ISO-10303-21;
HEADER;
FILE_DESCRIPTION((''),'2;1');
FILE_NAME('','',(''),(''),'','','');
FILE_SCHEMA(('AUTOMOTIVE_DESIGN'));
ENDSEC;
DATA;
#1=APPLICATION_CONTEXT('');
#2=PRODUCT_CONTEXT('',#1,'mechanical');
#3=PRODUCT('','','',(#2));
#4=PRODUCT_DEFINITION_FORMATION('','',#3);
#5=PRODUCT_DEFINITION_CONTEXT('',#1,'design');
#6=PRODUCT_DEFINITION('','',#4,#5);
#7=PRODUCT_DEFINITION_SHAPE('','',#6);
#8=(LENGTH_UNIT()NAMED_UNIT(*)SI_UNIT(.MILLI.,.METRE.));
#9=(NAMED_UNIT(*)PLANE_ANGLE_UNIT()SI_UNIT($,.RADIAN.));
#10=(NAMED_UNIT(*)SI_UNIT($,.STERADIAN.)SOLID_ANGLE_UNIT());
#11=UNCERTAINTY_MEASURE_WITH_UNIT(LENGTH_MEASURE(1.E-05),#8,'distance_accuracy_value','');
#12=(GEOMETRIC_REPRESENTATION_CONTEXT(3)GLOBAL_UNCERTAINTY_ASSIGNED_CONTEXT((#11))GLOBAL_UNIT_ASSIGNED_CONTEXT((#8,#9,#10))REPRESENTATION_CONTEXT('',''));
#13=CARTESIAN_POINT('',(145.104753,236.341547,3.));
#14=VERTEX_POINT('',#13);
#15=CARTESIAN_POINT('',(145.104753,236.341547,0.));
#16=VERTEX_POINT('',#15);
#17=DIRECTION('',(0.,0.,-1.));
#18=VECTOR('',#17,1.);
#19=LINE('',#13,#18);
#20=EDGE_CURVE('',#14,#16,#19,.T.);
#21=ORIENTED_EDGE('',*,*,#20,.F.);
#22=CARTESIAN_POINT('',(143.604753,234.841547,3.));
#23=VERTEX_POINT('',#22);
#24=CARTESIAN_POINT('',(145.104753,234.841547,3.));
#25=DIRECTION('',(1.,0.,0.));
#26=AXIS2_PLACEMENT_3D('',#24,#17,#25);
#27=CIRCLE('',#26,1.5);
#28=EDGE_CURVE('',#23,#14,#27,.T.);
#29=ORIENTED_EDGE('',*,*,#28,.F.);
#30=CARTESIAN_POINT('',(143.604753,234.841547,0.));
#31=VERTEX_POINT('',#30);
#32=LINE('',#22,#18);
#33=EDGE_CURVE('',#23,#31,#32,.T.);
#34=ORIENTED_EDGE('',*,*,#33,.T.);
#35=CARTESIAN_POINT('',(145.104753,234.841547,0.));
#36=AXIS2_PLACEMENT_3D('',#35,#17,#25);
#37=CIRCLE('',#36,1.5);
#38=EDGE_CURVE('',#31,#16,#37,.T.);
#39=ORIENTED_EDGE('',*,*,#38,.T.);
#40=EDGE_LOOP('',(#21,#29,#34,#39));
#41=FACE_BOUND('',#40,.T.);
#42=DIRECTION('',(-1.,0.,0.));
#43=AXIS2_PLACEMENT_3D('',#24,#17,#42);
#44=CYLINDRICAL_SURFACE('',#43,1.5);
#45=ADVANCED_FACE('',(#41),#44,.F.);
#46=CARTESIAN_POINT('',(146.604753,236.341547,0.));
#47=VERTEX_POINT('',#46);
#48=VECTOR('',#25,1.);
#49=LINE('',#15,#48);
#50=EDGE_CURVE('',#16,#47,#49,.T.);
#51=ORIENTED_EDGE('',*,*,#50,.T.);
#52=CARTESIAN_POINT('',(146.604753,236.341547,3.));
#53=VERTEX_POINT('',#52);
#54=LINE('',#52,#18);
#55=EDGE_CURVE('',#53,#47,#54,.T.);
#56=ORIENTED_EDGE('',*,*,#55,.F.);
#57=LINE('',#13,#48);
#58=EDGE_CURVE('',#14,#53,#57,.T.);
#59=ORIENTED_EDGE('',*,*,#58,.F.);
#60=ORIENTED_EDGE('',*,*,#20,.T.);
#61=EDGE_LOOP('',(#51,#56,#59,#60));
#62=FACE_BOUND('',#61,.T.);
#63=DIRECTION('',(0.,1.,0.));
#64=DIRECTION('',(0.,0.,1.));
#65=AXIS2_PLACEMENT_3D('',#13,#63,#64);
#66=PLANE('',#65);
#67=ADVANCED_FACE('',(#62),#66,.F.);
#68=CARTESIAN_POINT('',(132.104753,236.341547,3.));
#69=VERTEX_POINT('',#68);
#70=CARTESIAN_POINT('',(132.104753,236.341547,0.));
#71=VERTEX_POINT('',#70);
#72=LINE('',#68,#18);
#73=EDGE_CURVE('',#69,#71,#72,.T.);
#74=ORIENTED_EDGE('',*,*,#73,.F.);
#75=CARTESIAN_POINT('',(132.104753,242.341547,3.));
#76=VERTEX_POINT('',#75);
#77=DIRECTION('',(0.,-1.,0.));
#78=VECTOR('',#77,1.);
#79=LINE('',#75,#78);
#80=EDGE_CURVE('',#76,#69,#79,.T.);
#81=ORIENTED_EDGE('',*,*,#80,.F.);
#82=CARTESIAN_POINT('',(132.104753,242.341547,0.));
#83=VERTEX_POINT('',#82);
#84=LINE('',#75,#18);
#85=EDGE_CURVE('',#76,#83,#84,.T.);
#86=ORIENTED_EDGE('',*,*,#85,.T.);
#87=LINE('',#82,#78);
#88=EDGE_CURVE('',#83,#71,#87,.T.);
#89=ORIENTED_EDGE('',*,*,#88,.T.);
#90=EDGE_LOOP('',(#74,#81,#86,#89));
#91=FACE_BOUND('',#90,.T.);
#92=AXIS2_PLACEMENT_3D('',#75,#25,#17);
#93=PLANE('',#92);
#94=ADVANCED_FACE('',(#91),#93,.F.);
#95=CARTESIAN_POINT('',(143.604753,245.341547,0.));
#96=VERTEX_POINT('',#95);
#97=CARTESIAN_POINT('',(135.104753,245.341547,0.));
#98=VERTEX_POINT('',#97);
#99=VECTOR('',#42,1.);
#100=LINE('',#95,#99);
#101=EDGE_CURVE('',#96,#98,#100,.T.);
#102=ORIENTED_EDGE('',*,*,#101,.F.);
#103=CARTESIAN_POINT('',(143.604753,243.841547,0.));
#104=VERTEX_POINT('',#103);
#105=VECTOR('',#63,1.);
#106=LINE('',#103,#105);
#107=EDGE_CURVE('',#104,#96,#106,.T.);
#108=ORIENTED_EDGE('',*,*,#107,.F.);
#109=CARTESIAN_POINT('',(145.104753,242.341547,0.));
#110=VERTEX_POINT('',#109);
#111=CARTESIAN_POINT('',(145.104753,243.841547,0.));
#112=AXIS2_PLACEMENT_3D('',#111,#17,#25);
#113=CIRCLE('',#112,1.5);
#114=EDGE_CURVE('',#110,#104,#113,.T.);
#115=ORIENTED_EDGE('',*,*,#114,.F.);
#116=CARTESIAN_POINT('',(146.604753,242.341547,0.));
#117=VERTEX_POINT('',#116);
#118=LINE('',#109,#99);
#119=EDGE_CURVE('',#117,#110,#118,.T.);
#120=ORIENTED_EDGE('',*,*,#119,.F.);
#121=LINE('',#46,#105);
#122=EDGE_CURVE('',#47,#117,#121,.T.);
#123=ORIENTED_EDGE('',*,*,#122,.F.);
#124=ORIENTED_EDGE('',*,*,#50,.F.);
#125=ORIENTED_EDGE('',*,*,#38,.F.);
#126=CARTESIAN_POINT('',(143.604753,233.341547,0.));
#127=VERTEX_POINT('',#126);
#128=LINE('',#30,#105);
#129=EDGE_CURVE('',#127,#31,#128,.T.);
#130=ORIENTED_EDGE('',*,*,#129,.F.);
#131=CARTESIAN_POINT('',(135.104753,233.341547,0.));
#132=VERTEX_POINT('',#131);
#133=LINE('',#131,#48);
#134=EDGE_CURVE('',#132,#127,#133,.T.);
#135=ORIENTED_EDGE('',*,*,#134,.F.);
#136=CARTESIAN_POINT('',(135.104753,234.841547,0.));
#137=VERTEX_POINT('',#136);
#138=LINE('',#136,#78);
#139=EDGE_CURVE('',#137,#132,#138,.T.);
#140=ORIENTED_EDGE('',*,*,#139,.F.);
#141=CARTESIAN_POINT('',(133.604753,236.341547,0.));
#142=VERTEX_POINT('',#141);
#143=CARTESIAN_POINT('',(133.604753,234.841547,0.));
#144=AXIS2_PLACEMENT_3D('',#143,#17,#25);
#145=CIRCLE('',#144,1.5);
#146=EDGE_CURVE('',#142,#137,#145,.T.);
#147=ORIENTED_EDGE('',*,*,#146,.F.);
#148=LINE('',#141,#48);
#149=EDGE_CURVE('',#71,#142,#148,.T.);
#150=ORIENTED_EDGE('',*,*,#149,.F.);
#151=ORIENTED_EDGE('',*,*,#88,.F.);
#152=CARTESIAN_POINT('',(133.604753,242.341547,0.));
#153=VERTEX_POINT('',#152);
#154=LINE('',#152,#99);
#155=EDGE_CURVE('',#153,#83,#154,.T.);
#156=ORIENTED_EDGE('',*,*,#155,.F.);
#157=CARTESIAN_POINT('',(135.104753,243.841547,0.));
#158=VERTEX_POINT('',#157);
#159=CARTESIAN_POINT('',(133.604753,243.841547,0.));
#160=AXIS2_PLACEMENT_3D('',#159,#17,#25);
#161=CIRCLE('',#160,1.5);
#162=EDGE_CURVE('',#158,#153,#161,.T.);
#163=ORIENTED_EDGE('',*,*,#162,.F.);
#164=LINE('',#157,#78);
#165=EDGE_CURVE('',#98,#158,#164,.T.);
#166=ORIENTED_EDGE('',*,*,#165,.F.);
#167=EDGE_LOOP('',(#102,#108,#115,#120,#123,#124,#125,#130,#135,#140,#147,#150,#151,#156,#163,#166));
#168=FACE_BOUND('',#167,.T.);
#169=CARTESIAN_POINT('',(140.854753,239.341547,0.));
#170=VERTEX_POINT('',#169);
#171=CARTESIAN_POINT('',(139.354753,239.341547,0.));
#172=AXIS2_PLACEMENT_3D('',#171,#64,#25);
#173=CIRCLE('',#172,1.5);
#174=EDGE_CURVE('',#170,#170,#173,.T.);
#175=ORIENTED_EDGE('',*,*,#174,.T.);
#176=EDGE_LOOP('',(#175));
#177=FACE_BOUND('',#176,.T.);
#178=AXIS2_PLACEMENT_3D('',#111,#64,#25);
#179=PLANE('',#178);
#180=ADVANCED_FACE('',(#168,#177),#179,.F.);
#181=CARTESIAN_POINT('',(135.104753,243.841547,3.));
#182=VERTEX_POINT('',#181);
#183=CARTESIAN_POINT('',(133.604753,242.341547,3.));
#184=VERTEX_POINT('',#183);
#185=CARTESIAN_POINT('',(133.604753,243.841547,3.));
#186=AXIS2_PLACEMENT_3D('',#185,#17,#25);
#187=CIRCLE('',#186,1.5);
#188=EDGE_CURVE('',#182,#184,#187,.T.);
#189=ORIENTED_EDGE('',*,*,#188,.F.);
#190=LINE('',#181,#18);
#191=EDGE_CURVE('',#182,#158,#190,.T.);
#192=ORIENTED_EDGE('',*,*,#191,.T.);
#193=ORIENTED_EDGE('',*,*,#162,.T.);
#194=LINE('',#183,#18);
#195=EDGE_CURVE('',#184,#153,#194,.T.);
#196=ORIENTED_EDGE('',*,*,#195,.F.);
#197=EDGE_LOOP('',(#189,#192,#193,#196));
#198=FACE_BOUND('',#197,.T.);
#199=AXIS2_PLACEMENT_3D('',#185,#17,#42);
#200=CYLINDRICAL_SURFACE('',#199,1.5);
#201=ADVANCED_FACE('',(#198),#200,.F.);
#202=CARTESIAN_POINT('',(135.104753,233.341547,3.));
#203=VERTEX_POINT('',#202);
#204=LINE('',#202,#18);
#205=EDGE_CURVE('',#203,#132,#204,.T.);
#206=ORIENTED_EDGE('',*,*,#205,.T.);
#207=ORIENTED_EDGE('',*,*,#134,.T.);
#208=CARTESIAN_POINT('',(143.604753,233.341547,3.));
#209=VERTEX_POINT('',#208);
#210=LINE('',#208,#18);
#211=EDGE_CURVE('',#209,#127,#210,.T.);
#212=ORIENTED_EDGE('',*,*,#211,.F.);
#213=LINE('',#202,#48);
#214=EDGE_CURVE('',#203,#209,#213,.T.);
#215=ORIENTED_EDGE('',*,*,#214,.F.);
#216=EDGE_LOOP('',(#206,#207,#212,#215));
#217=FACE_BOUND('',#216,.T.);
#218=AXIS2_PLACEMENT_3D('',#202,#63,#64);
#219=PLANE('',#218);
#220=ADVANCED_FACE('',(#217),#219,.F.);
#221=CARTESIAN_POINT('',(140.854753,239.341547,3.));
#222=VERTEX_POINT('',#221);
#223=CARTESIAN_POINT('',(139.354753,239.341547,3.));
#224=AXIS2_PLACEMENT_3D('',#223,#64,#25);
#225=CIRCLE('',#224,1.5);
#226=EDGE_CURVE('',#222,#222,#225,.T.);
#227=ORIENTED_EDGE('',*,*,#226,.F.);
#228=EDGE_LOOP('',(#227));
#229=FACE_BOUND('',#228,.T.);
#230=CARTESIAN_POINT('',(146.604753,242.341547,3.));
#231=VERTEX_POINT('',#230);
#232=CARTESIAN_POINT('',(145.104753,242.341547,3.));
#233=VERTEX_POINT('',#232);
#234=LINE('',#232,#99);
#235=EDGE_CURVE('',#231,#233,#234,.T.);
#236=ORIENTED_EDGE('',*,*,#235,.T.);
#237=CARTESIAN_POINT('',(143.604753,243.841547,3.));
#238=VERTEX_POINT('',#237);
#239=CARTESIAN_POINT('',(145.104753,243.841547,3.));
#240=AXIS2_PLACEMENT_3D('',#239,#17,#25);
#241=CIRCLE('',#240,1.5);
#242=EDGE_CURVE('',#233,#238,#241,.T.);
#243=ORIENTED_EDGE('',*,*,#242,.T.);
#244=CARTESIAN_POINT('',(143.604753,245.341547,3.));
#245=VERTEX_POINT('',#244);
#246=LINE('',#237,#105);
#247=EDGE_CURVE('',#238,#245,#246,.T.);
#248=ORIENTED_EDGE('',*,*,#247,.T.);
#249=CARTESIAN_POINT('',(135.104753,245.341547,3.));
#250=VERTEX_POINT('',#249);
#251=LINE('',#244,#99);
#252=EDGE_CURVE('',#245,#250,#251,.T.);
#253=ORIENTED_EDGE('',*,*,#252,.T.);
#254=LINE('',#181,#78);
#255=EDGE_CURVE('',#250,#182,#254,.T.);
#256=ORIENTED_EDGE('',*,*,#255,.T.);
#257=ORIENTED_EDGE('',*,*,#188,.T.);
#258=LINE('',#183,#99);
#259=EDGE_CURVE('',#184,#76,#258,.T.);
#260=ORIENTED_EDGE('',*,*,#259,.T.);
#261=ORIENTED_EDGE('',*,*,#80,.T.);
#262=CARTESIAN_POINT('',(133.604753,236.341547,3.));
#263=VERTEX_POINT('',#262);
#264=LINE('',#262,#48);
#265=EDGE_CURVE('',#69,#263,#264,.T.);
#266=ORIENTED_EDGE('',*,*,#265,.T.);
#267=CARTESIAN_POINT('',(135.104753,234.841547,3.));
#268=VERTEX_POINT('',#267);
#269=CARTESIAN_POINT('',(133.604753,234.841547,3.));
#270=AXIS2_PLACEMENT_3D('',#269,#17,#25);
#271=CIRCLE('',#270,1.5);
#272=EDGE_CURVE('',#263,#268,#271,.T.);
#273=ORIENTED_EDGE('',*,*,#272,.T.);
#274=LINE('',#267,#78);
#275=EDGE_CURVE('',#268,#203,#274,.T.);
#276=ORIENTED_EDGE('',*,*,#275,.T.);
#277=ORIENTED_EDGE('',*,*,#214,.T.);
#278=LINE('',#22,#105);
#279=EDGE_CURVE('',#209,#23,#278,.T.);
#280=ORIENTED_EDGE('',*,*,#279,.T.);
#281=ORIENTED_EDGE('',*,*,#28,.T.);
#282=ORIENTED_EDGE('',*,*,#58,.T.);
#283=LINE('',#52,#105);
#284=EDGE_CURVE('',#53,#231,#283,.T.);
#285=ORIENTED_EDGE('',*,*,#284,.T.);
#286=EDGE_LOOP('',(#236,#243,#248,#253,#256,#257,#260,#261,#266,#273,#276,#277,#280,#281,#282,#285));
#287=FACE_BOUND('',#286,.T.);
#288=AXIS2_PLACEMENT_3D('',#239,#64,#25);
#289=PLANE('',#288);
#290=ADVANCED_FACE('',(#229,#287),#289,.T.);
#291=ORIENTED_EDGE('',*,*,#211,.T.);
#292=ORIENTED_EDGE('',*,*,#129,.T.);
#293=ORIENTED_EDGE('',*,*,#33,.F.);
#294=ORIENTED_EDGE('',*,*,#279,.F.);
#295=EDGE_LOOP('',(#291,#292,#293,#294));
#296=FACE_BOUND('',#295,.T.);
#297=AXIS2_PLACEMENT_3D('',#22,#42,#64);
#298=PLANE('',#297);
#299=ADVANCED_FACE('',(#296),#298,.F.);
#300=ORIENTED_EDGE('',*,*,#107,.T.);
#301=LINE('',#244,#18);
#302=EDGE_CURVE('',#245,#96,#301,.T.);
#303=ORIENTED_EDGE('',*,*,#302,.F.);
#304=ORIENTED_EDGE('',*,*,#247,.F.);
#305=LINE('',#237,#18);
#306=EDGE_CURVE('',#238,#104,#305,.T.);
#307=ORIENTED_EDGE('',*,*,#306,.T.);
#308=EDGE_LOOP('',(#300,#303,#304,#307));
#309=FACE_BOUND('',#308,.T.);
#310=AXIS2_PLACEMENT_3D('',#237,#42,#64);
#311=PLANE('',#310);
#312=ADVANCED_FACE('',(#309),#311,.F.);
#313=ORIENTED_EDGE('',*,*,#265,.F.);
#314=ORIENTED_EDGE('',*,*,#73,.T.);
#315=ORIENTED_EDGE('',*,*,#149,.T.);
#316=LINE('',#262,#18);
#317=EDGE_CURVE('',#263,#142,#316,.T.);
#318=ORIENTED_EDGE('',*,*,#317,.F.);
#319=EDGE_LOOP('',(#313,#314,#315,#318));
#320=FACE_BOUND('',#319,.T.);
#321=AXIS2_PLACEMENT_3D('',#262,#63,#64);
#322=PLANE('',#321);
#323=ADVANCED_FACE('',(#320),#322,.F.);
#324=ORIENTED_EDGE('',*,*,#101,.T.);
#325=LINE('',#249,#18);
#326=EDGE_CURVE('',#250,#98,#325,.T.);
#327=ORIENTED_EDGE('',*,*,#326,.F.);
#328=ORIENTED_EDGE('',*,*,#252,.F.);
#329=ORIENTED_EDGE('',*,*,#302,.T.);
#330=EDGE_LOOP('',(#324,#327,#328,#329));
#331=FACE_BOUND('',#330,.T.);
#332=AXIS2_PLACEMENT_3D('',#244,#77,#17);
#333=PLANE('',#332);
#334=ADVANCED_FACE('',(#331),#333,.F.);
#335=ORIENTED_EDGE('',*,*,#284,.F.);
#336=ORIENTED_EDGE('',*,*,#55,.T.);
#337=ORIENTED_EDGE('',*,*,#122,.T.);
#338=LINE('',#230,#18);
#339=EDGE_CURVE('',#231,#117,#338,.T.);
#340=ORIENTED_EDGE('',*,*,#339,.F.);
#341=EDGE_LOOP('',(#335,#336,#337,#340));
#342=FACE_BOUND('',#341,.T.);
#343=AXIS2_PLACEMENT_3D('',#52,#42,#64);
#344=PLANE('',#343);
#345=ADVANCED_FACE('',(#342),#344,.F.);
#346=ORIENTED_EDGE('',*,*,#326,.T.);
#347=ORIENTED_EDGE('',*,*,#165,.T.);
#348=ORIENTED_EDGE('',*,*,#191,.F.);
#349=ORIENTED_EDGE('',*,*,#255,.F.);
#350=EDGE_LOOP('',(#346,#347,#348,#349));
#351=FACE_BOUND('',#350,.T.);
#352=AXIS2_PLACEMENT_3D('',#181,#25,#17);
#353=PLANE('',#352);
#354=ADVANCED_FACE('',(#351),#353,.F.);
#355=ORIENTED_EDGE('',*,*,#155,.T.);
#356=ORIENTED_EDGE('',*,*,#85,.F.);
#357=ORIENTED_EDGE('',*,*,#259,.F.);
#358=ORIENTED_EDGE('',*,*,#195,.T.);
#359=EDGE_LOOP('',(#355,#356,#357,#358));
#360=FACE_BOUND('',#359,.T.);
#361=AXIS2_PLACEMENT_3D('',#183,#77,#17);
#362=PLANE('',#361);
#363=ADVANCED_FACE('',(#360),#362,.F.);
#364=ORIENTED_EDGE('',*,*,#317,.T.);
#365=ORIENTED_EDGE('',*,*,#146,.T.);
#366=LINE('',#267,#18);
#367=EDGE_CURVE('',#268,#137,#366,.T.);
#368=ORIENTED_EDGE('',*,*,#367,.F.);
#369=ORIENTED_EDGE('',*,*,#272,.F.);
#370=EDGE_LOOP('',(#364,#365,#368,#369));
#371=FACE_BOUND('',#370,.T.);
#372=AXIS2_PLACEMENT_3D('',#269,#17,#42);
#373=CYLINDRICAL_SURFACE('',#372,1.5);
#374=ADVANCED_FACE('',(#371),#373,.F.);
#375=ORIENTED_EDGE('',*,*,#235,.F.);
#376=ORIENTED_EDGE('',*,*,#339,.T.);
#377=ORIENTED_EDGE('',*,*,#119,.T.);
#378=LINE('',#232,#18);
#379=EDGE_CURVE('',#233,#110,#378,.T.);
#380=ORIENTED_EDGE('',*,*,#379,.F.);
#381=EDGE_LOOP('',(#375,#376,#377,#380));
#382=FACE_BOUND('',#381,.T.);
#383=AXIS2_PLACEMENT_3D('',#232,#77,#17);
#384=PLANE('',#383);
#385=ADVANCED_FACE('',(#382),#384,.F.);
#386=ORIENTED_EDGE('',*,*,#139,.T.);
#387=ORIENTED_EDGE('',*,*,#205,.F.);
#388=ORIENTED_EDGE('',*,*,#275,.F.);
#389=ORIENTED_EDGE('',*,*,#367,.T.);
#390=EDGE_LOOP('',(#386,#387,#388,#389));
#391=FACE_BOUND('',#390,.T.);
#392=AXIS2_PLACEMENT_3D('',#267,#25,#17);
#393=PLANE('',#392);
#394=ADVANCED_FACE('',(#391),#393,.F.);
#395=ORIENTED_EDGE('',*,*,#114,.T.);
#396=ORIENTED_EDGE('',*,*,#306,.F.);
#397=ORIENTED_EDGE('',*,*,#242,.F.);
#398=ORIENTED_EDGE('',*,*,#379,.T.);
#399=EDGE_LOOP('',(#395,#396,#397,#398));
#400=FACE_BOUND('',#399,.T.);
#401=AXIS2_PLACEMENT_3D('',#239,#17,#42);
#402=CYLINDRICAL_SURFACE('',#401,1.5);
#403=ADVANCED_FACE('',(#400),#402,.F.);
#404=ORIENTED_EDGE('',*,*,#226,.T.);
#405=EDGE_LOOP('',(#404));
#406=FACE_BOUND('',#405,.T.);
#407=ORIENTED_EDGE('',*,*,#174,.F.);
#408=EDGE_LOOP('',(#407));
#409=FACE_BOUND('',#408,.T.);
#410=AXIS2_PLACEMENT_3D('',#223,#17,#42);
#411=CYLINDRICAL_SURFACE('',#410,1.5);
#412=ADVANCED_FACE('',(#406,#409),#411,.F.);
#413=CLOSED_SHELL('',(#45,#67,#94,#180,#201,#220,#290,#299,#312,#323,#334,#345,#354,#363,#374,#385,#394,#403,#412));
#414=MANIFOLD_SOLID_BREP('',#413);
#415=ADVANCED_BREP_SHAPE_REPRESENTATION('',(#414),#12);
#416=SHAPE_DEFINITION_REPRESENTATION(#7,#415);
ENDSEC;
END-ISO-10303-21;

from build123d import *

# Parameters (mm, degrees)
MODEL_R                 = 1.5
SALIENTE_EXTRUIR1_DEPTH = 3


with BuildPart() as part:
    # Model → Saliente-Extruir1 (new body)
    with BuildSketch(Plane.XY):
        with BuildLine():
            Line((132.104752837, 242.341546665), (132.104752837, 236.341546665))
            Line((132.104752837, 236.341546665), (133.604752837, 236.341546665))
            ThreePointArc((133.604752837, 236.341546665), (134.665413008, 235.902206837), (135.104752837, 234.841546665))
            Line((135.104752837, 234.841546665), (135.104752837, 233.341546665))
            Line((135.104752837, 233.341546665), (143.604752837, 233.341546665))
            Line((143.604752837, 233.341546665), (143.604752837, 234.841546665))
            ThreePointArc((143.604752837, 234.841546665), (144.044092665, 235.902206837), (145.104752837, 236.341546665))
            Line((145.104752837, 236.341546665), (146.604752837, 236.341546665))
            Line((146.604752837, 236.341546665), (146.604752837, 242.341546665))
            Line((146.604752837, 242.341546665), (145.104752837, 242.341546665))
            ThreePointArc((145.104752837, 242.341546665), (144.044092665, 242.780886493), (143.604752837, 243.841546665))
            Line((143.604752837, 243.841546665), (143.604752837, 245.341546665))
            Line((143.604752837, 245.341546665), (135.104752837, 245.341546665))
            Line((135.104752837, 245.341546665), (135.104752837, 243.841546665))
            ThreePointArc((135.104752837, 243.841546665), (134.665413008, 242.780886493), (133.604752837, 242.341546665))
            Line((133.604752837, 242.341546665), (132.104752837, 242.341546665))
        make_face()
        with Locations((139.354752837, 239.341546665)):
            Circle(MODEL_R, mode=Mode.SUBTRACT)
    extrude(amount=SALIENTE_EXTRUIR1_DEPTH)


solid = part.part
